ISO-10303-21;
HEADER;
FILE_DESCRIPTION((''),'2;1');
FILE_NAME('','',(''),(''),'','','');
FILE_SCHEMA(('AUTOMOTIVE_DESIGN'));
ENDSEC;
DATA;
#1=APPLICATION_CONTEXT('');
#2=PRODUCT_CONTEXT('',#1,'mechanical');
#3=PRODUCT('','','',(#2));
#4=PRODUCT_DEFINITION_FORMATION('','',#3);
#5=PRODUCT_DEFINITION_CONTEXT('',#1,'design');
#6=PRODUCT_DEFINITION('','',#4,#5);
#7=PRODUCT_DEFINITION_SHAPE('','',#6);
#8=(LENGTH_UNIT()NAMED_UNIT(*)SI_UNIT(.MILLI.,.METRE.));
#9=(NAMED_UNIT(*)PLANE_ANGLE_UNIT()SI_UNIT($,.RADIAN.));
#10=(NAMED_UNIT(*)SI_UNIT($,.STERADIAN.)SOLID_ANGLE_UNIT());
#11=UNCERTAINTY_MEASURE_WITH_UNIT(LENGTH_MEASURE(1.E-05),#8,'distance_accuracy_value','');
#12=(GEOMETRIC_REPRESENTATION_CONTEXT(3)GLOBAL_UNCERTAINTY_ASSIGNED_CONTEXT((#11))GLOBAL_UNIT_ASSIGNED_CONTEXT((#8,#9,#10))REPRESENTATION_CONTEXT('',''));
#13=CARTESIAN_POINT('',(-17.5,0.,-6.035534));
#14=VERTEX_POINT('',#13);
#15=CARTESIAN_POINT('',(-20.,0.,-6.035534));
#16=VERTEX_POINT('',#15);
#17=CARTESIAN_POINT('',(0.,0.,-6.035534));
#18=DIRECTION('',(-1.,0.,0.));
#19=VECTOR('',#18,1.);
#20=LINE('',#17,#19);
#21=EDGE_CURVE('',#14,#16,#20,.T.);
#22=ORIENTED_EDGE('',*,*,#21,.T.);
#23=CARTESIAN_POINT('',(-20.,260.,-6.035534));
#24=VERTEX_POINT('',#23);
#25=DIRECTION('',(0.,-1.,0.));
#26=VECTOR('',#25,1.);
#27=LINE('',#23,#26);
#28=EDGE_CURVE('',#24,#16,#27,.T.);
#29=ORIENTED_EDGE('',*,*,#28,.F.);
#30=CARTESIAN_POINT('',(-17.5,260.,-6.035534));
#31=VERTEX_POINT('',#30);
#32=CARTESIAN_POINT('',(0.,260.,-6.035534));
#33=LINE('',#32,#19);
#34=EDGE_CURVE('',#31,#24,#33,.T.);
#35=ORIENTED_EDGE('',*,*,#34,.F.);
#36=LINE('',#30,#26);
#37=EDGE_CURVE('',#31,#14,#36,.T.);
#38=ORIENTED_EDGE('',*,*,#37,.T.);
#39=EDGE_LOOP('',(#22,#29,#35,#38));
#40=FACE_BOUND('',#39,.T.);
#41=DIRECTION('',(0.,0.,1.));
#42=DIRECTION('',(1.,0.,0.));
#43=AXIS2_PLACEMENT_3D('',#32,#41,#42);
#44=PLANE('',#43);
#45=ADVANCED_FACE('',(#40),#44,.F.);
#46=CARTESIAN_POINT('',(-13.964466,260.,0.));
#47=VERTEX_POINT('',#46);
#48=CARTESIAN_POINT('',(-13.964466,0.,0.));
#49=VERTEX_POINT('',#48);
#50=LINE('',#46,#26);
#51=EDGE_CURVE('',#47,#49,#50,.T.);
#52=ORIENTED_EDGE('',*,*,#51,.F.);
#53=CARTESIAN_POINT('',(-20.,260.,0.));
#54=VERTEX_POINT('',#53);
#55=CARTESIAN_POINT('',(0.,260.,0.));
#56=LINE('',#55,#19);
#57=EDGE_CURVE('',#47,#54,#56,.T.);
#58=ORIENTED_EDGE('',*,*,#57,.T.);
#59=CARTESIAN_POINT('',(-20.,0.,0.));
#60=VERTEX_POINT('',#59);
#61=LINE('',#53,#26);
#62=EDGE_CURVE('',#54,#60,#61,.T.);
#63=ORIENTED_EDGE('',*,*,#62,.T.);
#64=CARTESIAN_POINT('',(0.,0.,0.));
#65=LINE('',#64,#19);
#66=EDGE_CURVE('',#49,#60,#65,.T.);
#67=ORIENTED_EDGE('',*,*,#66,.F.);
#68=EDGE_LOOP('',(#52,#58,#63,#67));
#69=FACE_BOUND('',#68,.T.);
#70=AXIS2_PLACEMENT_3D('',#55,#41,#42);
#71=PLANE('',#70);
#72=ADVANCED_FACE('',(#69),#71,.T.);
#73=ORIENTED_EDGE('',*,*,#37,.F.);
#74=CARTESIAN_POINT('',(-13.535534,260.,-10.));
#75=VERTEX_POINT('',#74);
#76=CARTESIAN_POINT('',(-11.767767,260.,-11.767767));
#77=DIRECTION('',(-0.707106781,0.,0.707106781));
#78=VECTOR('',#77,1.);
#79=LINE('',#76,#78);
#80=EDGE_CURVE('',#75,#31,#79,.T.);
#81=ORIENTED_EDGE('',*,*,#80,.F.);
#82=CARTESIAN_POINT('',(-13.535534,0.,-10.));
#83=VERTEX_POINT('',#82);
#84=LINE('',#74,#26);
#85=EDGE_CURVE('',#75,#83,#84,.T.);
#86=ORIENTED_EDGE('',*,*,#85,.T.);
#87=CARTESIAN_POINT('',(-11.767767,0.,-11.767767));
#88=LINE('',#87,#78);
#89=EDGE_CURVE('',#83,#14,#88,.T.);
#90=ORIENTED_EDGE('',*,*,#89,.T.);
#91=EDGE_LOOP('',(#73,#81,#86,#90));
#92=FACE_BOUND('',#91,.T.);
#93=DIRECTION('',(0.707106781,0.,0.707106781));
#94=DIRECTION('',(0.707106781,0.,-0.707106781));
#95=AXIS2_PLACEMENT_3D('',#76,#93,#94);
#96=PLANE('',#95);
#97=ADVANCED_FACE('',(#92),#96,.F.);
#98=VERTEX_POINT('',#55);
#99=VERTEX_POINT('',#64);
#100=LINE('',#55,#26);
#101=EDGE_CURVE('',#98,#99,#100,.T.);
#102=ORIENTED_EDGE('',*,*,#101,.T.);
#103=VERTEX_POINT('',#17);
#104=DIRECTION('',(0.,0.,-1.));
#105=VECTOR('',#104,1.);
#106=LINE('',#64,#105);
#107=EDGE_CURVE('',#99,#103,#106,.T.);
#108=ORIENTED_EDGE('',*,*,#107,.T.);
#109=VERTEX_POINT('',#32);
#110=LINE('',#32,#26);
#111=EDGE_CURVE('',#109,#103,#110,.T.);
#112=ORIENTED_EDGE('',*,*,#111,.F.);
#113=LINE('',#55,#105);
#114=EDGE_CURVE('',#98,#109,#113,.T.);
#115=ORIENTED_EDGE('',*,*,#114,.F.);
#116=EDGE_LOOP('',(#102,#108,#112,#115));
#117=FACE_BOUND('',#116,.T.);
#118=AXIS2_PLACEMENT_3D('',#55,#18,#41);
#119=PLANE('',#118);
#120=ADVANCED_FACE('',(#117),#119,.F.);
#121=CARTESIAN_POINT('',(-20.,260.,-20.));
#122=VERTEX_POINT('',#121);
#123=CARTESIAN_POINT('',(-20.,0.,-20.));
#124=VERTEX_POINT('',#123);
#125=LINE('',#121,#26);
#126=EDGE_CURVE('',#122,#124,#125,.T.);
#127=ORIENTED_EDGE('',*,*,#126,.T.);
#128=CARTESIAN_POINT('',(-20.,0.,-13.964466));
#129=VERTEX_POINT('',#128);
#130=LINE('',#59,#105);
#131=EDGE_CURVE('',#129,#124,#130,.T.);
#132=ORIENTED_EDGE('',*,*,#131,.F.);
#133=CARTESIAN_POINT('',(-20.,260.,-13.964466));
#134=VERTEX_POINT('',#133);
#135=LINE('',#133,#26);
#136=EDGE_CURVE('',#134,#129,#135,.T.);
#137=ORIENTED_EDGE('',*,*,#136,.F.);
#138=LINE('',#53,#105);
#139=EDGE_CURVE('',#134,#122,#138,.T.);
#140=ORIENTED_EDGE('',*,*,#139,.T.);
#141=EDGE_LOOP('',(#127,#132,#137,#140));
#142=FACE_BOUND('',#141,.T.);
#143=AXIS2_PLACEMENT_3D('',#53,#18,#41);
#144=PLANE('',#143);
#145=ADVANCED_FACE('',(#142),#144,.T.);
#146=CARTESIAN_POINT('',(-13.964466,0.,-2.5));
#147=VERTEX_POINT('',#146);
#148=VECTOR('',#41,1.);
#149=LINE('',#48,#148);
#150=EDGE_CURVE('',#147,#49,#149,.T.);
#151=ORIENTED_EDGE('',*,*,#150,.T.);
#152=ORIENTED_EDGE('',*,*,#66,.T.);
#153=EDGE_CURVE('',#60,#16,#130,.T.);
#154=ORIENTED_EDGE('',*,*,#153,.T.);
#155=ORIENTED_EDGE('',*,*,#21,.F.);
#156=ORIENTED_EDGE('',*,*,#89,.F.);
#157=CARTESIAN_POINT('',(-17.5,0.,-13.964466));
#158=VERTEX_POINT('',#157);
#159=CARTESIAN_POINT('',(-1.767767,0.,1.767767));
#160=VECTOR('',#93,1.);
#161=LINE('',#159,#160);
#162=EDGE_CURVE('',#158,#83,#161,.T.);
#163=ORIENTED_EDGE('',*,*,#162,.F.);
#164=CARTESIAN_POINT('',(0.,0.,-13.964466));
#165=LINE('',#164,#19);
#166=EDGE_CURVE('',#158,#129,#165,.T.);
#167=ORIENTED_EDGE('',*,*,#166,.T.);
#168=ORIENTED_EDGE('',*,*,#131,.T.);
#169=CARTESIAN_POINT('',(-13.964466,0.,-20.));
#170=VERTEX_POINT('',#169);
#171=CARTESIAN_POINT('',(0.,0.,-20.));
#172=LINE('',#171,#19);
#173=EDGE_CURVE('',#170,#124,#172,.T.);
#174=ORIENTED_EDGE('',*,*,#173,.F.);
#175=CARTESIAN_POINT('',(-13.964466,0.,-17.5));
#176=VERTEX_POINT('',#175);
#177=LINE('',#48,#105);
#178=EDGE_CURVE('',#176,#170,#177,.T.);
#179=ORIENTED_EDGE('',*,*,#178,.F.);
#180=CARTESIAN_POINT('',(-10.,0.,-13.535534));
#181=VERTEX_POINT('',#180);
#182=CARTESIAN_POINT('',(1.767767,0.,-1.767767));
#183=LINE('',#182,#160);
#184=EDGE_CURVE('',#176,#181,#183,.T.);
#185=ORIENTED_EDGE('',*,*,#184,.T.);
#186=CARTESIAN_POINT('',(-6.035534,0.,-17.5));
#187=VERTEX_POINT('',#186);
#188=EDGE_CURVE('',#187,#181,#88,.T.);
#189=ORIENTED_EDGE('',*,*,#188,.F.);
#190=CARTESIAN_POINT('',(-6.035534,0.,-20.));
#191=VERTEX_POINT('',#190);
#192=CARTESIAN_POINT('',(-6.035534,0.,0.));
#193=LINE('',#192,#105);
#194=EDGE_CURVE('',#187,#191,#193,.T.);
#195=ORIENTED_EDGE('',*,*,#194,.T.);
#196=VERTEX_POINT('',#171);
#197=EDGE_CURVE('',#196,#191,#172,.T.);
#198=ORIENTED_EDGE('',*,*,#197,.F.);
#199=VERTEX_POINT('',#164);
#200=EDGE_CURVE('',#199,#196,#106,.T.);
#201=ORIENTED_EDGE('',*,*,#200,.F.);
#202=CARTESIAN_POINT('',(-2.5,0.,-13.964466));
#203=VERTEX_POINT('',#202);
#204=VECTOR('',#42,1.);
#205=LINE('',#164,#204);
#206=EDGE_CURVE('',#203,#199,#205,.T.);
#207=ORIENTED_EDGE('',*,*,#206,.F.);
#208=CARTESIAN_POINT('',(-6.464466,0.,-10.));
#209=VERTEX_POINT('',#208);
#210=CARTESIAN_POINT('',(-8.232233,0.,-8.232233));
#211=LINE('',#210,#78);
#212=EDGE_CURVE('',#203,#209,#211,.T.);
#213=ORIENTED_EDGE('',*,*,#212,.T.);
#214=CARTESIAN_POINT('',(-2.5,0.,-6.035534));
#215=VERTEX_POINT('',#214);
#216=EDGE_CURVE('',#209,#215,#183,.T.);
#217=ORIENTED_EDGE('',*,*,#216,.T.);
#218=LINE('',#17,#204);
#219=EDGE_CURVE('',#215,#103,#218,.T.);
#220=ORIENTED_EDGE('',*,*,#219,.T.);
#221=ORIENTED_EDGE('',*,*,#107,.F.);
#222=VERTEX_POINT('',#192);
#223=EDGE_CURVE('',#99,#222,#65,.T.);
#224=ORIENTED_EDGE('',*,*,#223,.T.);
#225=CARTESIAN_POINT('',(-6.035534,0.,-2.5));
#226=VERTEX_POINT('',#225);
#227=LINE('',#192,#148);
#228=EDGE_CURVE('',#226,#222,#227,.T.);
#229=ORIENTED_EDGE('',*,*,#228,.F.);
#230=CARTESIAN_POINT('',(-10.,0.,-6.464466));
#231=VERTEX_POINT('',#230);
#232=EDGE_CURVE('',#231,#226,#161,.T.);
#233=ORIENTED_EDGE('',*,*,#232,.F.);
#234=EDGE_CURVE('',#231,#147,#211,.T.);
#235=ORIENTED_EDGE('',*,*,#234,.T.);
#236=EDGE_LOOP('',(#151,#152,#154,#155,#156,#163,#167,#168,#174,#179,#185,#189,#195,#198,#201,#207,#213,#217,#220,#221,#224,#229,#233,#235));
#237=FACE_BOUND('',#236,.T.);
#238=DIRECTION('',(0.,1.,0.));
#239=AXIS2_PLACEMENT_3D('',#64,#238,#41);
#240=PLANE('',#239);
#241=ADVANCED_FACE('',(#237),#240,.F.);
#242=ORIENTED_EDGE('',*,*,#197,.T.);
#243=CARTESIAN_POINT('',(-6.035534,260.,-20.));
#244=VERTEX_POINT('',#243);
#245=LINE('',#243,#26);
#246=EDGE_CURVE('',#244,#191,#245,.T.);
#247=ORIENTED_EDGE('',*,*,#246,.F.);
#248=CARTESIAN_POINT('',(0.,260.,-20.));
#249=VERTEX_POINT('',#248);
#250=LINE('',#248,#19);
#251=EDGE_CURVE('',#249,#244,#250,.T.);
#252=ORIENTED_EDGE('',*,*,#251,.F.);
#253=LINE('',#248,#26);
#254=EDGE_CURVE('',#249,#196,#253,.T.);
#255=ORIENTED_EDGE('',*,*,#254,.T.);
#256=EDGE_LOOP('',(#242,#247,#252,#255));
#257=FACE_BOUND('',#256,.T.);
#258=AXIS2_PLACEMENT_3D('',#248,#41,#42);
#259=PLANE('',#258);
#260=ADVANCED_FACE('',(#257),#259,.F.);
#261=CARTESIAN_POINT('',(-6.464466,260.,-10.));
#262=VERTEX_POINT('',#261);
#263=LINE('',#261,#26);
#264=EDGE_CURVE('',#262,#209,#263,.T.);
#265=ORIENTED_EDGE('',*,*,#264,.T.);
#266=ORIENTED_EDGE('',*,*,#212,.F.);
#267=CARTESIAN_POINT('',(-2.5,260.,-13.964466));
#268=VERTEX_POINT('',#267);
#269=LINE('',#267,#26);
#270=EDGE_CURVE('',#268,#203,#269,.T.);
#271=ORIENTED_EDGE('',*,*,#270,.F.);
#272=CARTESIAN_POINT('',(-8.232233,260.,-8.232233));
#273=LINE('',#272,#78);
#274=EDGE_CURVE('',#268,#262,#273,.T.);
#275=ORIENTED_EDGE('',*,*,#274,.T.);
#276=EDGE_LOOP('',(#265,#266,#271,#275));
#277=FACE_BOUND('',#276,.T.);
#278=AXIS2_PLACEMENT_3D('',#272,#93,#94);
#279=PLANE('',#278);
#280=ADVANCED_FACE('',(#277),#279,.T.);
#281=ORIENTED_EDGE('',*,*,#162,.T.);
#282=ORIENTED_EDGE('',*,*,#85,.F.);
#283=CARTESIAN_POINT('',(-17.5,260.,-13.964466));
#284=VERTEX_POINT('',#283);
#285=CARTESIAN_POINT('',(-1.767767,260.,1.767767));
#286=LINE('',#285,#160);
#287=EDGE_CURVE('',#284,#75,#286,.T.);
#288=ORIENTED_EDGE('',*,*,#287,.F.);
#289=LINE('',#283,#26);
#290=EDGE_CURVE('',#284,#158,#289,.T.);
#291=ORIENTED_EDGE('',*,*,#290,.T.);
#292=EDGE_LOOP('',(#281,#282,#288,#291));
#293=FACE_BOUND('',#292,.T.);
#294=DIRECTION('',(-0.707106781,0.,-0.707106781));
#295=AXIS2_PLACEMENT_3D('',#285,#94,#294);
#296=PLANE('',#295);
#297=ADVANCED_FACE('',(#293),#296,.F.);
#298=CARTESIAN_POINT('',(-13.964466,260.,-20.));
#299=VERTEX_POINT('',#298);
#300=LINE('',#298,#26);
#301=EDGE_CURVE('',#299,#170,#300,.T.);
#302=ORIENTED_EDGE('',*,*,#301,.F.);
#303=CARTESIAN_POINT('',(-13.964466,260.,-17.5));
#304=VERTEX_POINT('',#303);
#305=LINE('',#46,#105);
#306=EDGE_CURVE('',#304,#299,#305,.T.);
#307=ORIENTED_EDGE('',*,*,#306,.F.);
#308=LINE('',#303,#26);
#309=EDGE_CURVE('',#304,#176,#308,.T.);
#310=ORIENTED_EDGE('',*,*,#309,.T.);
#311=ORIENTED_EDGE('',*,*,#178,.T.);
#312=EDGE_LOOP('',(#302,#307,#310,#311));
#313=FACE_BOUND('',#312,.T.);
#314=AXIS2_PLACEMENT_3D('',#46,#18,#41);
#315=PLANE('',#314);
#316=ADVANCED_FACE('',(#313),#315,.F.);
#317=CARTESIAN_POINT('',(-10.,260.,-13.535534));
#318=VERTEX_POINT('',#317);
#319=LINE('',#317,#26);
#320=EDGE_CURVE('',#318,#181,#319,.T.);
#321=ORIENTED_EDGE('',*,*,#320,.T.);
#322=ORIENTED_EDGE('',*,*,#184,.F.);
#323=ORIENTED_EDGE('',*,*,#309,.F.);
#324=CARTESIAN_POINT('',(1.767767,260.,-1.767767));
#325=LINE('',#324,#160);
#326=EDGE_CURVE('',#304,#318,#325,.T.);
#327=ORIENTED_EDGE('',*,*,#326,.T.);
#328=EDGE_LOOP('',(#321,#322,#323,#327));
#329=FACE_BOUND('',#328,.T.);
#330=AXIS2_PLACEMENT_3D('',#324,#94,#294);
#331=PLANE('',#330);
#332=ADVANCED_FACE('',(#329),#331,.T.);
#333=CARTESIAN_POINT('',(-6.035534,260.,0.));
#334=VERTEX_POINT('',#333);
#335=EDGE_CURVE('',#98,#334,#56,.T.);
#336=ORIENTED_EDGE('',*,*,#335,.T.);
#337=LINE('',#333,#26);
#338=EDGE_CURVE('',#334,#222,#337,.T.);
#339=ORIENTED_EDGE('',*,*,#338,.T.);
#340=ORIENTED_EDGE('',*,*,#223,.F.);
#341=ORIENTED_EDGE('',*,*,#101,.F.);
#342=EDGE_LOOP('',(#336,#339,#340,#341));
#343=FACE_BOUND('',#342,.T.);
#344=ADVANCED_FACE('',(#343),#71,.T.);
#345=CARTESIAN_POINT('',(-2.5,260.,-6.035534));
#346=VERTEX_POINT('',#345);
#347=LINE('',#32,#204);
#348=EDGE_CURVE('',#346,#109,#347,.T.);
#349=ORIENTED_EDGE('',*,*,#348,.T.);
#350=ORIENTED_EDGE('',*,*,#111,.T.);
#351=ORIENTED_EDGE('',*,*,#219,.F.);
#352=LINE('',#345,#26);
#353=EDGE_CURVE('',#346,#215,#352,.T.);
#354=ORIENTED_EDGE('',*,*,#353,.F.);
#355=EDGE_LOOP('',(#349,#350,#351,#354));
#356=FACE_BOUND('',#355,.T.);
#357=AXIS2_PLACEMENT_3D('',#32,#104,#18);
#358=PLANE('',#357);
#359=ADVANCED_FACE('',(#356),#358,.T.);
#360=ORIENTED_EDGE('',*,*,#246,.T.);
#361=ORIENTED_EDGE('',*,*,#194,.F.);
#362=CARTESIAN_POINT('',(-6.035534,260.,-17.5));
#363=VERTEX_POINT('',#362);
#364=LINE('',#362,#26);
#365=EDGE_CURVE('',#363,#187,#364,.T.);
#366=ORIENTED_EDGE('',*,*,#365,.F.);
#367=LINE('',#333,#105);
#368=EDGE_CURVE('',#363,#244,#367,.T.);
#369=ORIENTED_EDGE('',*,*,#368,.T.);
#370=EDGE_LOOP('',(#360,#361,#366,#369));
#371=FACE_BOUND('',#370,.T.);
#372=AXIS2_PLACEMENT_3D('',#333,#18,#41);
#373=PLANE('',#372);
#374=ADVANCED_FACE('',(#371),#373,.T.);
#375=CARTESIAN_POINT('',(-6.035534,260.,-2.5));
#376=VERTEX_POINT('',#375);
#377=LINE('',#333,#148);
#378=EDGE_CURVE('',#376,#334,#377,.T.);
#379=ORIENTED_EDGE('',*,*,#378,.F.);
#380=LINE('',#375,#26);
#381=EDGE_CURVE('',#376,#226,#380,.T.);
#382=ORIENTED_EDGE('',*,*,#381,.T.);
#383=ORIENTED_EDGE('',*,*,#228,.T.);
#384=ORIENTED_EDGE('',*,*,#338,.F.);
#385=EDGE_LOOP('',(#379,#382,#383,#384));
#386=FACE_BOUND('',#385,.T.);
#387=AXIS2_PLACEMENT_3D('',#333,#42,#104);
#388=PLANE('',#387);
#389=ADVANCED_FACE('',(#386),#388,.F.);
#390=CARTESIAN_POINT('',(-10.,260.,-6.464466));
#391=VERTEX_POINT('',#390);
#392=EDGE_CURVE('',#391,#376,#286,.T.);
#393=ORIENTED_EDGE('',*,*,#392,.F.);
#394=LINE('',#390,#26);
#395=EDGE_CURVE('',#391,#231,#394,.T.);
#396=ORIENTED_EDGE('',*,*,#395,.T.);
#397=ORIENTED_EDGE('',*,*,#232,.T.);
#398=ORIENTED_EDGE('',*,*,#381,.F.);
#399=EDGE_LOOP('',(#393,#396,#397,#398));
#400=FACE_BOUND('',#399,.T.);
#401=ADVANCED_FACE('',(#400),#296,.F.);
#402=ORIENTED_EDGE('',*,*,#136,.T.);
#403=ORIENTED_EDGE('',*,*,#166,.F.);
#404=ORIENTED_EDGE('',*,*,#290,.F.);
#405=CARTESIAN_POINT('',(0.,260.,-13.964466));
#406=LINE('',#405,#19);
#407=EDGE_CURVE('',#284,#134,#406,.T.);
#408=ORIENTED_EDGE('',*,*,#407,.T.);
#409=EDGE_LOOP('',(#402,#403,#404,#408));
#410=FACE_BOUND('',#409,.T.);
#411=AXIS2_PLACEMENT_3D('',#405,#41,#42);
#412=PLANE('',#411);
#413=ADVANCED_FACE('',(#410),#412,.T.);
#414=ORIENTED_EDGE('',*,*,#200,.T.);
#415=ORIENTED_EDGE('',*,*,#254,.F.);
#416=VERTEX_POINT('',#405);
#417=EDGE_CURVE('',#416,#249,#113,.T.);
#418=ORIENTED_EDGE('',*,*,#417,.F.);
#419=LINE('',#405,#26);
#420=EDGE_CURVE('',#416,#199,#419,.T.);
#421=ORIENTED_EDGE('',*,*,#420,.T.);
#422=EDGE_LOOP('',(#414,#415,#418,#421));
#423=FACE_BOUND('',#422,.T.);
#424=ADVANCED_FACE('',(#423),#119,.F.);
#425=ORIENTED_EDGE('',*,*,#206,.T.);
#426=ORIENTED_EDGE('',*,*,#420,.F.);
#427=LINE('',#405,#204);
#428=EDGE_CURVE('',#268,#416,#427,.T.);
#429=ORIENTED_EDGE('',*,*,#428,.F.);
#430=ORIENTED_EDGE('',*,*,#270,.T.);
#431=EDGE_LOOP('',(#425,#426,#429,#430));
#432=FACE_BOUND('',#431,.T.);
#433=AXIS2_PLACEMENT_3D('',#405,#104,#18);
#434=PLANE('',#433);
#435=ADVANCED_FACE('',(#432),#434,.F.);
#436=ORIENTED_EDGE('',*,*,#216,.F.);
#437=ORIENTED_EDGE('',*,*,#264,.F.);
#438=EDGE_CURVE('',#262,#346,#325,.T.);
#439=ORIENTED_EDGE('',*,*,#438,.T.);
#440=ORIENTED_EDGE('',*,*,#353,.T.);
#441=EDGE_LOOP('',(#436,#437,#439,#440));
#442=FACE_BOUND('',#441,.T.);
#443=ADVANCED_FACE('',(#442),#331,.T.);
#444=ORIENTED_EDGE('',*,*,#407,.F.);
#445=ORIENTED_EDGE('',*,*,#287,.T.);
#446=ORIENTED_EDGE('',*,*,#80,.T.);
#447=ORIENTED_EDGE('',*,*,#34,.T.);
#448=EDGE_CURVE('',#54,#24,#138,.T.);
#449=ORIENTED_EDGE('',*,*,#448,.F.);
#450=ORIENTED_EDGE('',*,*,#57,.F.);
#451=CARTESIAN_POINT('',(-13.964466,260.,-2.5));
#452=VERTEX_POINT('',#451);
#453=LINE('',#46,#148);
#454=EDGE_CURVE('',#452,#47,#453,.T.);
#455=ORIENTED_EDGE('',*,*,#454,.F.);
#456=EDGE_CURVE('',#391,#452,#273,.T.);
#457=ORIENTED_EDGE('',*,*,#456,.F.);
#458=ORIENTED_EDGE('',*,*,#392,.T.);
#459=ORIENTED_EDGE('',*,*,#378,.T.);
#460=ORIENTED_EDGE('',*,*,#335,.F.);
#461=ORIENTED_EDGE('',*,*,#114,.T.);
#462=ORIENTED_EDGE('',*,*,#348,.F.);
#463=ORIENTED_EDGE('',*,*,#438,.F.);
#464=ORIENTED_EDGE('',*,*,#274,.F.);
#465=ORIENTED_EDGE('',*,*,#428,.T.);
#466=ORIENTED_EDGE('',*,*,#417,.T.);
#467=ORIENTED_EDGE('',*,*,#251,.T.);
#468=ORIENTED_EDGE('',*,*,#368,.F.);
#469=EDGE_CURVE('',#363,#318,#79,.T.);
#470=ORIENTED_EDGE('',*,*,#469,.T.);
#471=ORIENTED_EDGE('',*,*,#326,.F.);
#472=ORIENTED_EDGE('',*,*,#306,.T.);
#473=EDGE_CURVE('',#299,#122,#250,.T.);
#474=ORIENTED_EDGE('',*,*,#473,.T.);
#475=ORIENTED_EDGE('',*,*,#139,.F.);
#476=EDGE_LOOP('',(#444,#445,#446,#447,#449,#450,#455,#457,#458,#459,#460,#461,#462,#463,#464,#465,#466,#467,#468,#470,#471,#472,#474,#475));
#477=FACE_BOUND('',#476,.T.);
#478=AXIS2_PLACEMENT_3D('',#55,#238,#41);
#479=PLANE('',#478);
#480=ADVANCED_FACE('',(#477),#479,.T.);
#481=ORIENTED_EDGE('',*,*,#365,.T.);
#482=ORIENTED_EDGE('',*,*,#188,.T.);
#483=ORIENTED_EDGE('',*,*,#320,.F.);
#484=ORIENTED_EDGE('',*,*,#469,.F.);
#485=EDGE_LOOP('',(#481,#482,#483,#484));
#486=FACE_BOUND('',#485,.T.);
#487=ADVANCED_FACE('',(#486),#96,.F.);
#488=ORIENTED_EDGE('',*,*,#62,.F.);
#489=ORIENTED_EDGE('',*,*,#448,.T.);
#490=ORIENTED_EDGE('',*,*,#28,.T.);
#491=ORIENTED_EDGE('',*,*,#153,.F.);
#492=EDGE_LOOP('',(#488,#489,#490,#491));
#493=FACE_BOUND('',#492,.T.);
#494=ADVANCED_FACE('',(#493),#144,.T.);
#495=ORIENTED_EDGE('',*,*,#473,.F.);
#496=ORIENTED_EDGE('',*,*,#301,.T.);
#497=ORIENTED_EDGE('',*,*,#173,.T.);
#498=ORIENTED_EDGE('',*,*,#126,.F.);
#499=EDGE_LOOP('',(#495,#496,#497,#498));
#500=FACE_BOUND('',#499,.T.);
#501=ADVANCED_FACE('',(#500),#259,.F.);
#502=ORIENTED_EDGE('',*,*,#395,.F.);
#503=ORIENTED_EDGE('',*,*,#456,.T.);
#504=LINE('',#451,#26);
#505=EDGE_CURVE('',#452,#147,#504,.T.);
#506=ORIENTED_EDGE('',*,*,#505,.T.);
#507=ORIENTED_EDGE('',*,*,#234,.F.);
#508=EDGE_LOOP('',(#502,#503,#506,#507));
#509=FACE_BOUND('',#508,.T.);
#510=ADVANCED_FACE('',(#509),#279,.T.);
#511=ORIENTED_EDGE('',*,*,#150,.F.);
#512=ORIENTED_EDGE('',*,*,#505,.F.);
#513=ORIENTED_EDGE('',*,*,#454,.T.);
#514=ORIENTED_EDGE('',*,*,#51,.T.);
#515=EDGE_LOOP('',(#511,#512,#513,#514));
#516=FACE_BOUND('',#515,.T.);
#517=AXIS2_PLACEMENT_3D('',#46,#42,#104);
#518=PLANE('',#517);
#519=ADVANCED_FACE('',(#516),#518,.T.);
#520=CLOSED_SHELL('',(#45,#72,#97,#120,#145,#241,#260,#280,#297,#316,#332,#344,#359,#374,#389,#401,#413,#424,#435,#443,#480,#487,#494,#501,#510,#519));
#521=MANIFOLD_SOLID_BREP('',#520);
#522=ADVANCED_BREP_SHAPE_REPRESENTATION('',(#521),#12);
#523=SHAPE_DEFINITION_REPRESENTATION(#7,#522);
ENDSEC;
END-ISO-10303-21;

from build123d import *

# Parameters (mm, degrees)
BOSS_EXTRU_1_DEPTH = 260


with BuildPart() as part:
    # Esquisse1 → Boss.-Extru.1 (new body)
    with BuildSketch(Plane(origin=(0, 0, 0), x_dir=(1, 0, 0), z_dir=(0, 1, 0))):
        Polygon((-3.535533906, 0), (-6.035533906, 2.5), (-6.035533906, 0), align=None)
        Polygon((0, 3.535533906), (-2.5, 6.035533906), (-2.5, 2.5), (-6.035533906, 2.5), (-3.535533906, 0), (0, 0), align=None)
        Polygon((0, 6.035533906), (-2.5, 6.035533906), (0, 3.535533906), align=None)
        Polygon((-2.5, 2.5), (-2.5, 6.035533906), (-6.464466094, 10), (-10, 6.464466094), (-6.035533906, 2.5), align=None)
        Polygon((-13.964466094, 0), (-13.964466094, 2.5), (-16.464466094, 0), align=None)
        Polygon((-17.5, 2.5), (-17.5, 6.035533906), (-20, 3.535533906), (-20, 0), (-16.464466094, 0), (-13.964466094, 2.5), align=None)
        Polygon((-20, 3.535533906), (-17.5, 6.035533906), (-20, 6.035533906), align=None)
        Polygon((-10, 6.464466094), (-13.535533906, 10), (-17.5, 6.035533906), (-17.5, 2.5), (-13.964466094, 2.5), align=None)
        Polygon((-6.464466094, 10), (-10, 13.535533906), (-13.535533906, 10), (-10, 6.464466094), align=None)
        Polygon((-2.5, 13.964466094), (-2.5, 17.5), (-6.035533906, 17.5), (-10, 13.535533906), (-6.464466094, 10), align=None)
        Polygon((-6.035533906, 17.5), (-2.5, 17.5), (-2.5, 13.964466094), (0, 16.464466094), (0, 20), (-3.535533906, 20), align=None)
        Polygon((0, 16.464466094), (-2.5, 13.964466094), (0, 13.964466094), align=None)
        Polygon((-6.035533906, 20), (-6.035533906, 17.5), (-3.535533906, 20), align=None)
        Polygon((-16.464466094, 20), (-13.964466094, 17.5), (-13.964466094, 20), align=None)
        Polygon((-17.5, 17.5), (-13.964466094, 17.5), (-16.464466094, 20), (-20, 20), (-20, 16.464466094), (-17.5, 13.964466094), align=None)
        Polygon((-20, 13.964466094), (-17.5, 13.964466094), (-20, 16.464466094), align=None)
        Polygon((-10, 13.535533906), (-13.964466094, 17.5), (-17.5, 17.5), (-17.5, 13.964466094), (-13.535533906, 10), align=None)
    extrude(amount=BOSS_EXTRU_1_DEPTH)


solid = part.part
